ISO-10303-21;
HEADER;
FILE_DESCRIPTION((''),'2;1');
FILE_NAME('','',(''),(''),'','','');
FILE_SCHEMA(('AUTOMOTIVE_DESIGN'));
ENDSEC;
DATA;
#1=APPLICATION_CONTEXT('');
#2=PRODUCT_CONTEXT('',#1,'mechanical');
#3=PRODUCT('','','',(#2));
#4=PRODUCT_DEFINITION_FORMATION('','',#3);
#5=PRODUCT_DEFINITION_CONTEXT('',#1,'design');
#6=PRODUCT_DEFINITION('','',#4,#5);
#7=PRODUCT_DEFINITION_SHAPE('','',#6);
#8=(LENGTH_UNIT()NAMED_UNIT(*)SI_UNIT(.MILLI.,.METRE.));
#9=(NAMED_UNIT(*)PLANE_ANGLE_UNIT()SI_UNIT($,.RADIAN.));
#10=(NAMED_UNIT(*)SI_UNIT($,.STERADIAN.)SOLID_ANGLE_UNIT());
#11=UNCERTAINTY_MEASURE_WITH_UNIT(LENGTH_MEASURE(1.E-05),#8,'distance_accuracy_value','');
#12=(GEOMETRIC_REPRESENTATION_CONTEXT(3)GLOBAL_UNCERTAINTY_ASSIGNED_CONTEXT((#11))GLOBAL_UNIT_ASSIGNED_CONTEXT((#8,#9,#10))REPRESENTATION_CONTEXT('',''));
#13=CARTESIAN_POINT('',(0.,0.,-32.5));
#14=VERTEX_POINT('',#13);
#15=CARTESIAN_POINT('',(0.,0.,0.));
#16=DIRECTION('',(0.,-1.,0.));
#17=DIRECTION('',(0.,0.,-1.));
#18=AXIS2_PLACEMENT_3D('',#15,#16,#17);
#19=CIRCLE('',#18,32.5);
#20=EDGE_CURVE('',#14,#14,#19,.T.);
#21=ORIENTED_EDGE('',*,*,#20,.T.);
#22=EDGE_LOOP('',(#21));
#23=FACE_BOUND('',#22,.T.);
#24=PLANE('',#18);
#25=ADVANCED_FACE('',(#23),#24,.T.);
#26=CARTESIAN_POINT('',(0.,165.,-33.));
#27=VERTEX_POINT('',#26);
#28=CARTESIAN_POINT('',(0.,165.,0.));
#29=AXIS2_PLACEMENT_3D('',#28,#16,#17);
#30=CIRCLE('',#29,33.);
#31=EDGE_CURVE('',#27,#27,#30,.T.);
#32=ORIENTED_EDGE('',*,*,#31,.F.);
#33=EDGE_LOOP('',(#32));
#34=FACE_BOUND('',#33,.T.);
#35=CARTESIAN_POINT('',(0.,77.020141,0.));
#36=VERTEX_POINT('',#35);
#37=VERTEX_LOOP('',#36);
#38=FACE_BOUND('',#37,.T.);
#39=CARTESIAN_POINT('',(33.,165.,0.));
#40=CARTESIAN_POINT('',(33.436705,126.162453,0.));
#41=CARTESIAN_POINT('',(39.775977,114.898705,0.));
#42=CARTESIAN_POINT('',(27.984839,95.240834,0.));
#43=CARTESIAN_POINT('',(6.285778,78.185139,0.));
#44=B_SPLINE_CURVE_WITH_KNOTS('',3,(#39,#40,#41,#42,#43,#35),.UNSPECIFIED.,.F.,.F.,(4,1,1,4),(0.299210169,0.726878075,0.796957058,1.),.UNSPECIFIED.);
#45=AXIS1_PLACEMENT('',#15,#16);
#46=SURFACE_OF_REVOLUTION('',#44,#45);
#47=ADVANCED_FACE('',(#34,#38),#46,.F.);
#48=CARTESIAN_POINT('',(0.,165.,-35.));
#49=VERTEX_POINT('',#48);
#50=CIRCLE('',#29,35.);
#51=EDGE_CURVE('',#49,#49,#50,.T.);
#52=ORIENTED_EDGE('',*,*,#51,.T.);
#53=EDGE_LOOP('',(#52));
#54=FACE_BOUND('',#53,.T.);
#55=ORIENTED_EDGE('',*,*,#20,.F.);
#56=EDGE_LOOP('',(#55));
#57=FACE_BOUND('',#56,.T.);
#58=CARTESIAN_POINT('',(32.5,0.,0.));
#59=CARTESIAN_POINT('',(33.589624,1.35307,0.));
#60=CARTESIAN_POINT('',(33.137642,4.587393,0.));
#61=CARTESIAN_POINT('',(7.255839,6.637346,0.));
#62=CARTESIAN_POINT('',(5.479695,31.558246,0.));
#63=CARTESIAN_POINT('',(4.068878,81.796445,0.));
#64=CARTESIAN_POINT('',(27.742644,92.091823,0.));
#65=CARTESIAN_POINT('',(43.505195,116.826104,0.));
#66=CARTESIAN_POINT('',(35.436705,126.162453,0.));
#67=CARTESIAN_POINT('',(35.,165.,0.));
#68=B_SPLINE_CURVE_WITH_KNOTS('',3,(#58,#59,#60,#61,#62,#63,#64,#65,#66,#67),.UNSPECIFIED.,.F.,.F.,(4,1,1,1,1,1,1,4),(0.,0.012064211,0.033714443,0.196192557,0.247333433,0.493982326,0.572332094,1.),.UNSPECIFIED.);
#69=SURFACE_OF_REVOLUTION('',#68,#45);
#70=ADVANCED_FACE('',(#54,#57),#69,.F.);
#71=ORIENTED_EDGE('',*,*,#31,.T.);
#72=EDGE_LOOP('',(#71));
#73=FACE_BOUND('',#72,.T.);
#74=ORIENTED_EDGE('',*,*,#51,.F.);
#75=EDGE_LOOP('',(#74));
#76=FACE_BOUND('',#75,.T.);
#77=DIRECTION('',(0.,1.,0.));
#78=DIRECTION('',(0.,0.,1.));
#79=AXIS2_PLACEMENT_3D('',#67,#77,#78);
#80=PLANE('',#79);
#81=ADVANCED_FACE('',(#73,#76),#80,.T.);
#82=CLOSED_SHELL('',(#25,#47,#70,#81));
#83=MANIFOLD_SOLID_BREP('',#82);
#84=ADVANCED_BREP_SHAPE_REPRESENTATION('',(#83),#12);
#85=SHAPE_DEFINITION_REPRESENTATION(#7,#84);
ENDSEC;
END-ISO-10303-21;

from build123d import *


with BuildPart() as part:
    # Esquisse1 → Révolution1 (revolve)
    with BuildSketch(Plane.XY):
        with BuildLine():
            Line((0, 0), (32.5, 0))
            add(Edge.make_bspline(
                [(32.5, 0), (33.589623702, 1.353069744), (33.137641704, 4.587392776), (7.255838825, 6.637345968), (5.479695222, 31.558246278), (4.068877691, 81.796444825), (27.742644393, 92.091823067), (43.50519477, 116.826103658), (35.436704849, 126.162453137), (35, 165)],
                knots=[0, 0, 0, 0, 0.012064211, 0.033714443, 0.196192557, 0.247333433, 0.493982326, 0.572332094, 1, 1, 1, 1], degree=3))
            Line((35, 165), (33, 165))
            add(Edge.make_bspline(
                [(0, 77.020141492), (6.285777757, 78.185139233), (27.984839266, 95.24083423), (39.775977314, 114.898705323), (33.436704849, 126.162453137), (33, 165)],
                knots=[0.299210169, 0.299210169, 0.299210169, 0.299210169, 0.502253111, 0.572332094, 1, 1, 1, 1], degree=3))
            Line((0, 77.020141492), (0, 0))
        make_face()
    revolve(axis=Axis((0, 0, 0), (0, 1, 0)))


solid = part.part
